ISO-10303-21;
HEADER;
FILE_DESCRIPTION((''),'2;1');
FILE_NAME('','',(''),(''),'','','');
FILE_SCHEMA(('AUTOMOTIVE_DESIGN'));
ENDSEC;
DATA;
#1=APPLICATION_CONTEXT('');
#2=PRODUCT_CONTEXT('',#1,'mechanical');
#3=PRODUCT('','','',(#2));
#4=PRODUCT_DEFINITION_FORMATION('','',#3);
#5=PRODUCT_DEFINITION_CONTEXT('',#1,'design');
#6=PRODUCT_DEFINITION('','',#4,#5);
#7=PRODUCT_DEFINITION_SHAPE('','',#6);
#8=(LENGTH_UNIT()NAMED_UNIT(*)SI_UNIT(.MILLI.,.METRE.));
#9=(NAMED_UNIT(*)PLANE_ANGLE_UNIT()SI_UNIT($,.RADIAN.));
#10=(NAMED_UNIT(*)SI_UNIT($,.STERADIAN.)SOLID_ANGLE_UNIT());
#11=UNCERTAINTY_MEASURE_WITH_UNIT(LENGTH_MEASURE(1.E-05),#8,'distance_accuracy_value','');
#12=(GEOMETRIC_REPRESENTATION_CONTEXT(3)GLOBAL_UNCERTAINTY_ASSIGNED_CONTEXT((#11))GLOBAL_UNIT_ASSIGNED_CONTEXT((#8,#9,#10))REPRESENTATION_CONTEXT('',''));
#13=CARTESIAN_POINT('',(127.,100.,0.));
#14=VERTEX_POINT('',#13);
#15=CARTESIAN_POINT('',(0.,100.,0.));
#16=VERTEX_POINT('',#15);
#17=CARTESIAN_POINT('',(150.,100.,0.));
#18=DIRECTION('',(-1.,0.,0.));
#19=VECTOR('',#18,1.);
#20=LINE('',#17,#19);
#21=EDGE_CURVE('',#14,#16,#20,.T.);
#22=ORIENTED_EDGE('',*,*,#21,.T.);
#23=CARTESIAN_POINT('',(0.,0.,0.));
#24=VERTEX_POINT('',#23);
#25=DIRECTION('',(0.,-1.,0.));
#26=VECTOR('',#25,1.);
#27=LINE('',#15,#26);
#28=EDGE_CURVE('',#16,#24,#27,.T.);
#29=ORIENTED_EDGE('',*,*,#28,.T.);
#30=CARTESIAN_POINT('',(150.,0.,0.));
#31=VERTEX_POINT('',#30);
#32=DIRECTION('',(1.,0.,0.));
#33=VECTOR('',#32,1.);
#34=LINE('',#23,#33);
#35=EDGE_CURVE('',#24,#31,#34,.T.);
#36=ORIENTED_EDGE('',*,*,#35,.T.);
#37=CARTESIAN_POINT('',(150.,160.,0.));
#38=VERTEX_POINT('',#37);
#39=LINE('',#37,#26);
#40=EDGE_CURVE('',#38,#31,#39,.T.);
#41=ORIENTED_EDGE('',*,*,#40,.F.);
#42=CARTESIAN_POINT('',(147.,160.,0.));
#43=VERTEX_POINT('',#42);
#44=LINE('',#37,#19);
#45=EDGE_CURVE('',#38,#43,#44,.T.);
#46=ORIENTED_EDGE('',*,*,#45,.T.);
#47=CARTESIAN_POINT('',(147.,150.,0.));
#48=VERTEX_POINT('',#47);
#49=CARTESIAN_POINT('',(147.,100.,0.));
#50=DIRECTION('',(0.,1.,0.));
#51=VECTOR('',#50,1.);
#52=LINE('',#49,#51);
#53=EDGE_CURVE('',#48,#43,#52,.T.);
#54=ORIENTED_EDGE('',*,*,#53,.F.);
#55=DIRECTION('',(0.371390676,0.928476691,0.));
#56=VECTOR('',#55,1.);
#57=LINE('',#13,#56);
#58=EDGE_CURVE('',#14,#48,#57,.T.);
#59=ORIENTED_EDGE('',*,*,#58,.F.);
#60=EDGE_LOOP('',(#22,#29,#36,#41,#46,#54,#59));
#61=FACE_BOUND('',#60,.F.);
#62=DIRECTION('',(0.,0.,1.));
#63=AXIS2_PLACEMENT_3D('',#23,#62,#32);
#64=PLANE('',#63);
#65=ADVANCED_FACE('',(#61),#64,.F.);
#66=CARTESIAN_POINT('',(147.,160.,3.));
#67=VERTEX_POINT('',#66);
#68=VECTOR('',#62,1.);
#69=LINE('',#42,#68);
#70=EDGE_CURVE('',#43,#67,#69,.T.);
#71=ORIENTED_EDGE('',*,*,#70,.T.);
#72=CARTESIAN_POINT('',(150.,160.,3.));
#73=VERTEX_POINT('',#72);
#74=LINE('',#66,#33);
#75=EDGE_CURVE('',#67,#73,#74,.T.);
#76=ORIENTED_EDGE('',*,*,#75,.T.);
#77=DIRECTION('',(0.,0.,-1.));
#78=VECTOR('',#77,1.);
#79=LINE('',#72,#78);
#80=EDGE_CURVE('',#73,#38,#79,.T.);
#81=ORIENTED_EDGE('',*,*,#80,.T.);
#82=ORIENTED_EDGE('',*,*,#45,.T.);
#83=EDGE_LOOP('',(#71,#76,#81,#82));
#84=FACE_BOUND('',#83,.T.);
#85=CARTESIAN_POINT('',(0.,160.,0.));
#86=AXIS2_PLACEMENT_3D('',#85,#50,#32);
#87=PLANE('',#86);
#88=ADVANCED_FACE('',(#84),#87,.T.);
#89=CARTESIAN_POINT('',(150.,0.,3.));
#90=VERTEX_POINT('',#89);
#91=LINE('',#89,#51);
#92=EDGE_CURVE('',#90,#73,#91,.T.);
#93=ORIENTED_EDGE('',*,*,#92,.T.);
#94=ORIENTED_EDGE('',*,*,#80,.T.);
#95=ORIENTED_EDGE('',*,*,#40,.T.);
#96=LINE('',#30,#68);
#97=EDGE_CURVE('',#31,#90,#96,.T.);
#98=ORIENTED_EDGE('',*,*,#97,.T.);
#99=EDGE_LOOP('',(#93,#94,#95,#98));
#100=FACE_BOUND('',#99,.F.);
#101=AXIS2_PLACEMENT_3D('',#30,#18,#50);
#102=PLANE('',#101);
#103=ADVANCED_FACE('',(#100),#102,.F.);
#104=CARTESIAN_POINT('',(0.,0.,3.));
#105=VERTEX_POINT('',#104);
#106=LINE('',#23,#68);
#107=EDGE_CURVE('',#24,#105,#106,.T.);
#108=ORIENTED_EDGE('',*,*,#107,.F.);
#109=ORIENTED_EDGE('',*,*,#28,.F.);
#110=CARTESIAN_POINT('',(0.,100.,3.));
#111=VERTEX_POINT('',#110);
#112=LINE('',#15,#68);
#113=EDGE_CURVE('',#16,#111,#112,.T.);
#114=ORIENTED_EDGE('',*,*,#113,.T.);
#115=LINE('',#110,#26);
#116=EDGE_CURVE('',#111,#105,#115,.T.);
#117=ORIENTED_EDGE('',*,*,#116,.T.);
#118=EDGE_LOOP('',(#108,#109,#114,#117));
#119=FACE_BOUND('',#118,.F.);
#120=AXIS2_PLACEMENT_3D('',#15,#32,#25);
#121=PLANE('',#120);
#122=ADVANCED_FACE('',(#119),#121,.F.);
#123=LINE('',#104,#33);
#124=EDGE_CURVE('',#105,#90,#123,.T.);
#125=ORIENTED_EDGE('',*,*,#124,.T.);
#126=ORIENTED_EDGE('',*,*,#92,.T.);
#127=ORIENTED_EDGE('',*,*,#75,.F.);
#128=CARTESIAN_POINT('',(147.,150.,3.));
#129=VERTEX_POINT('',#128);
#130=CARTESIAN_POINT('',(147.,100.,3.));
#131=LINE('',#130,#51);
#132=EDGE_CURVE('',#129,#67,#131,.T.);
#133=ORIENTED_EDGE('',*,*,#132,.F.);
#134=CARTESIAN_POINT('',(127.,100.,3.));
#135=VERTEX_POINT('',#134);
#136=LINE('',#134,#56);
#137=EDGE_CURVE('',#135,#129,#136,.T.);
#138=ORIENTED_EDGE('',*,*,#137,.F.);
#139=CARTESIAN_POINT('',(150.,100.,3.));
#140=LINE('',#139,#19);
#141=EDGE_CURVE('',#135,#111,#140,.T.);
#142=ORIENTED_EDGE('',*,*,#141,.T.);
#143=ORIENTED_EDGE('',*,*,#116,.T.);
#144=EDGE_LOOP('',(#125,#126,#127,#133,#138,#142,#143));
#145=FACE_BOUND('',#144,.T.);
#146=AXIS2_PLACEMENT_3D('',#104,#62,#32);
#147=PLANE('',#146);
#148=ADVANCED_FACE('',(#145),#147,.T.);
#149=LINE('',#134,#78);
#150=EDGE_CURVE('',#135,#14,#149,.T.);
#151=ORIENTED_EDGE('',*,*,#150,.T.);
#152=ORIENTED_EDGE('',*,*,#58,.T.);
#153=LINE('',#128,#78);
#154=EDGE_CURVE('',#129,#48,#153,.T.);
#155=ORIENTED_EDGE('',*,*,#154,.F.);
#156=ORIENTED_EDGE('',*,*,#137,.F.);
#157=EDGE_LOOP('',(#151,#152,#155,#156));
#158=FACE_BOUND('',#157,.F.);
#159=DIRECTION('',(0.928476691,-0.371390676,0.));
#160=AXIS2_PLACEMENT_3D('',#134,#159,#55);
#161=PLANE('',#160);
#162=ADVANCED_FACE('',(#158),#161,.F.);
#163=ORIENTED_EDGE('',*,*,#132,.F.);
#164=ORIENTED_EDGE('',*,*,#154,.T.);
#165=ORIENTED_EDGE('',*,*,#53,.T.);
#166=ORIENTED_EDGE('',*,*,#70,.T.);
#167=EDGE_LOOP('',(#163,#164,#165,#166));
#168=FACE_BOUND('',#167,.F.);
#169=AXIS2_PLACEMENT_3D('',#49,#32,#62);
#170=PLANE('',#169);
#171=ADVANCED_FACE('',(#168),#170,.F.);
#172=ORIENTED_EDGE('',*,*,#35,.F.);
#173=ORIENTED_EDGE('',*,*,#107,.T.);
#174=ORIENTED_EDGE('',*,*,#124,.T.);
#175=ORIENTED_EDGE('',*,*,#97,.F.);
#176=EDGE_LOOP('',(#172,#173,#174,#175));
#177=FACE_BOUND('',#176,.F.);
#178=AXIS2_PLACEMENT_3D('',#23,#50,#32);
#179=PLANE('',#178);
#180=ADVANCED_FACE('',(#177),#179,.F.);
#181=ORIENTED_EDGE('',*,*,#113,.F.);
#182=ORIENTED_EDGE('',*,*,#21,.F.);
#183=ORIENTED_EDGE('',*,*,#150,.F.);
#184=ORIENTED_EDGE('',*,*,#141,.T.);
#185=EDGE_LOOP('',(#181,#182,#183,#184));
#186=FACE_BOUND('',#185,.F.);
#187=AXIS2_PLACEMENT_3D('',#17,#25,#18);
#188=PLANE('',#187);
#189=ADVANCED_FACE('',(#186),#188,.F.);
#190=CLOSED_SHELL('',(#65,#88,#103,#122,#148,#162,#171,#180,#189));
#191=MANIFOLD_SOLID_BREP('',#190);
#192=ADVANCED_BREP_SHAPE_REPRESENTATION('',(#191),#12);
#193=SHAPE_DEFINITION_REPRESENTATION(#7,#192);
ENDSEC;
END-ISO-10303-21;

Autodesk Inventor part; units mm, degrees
ref_plane "YZ Plane" through (0, 0, 0) normal (1, 0, 0) x (0, 1, 0)
ref_plane "XZ Plane" through (0, 0, 0) normal (0, 1, 0) x (-1, 0, 0)
ref_plane "XY Plane" through (0, 0, 0) normal (0, 0, 1) x (1, 0, 0)
sketch "Boceto1" plane through (0, 0, 0) normal (0, 0, 1) x (1, 0, 0)
  line L0 (0, 0) -> (150, 0)
  line L1 (150, 0) -> (150, 100)
  line L2 (150, 100) -> (0, 100)
  line L3 (0, 100) -> (0, 0)
  dimension "d0" = 150
  dimension "d1" = 100
extrude "Extrusión1" add sketch "Boceto1" along normal blind 3
sketch "Boceto2" plane through (0, 100, 0) normal (0, 1, 0) x (1, 0, 0)
  line L0 (150, 0) -> (0, 0) construction
  line L1 (0, 0) -> (0, -3) construction
  line L2 (150, -3) -> (0, -3) construction
  line L3 (150, 0) -> (150, -3) construction
  line L4 (150, 0) -> (147, 0)
  line L5 (147, 0) -> (147, -3)
  line L6 (147, -3) -> (150, -3)
  line L7 (150, -3) -> (150, 0)
  line L8 (150, 0) -> (150, -3) construction
  line L9 (150, -3) -> (0, -3) construction
  point P0 (0, 0)
  dimension "d4" = 3
  dimension "d5" = 3
extrude "Extrusión2" add sketch "Boceto2" along normal blind 60
sketch "Boceto3" plane through (0, 0, 3) normal (0, 0, 1) x (1, 0, 0)
  line L0 (0, 0) -> (150, 0) construction
  line L1 (150, 0) -> (150, 160) construction
  line L2 (147, 160) -> (150, 160) construction
  line L3 (147, 100) -> (147, 160) construction
  line L4 (147, 100) -> (0, 100) construction
  line L5 (0, 100) -> (0, 0) construction
  line L6 (147, 100) -> (127, 100)
  line L7 (147, 100) -> (0, 100) construction
  line L8 (127, 100) -> (147, 150)
  line L9 (147, 100) -> (147, 160) construction
  line L10 (147, 150) -> (147, 100)
  dimension "d8" = 20
  dimension "d9" = 10
extrude "Extrusión3" add sketch "Boceto3" against normal blind 3
properties part number "Porton"
